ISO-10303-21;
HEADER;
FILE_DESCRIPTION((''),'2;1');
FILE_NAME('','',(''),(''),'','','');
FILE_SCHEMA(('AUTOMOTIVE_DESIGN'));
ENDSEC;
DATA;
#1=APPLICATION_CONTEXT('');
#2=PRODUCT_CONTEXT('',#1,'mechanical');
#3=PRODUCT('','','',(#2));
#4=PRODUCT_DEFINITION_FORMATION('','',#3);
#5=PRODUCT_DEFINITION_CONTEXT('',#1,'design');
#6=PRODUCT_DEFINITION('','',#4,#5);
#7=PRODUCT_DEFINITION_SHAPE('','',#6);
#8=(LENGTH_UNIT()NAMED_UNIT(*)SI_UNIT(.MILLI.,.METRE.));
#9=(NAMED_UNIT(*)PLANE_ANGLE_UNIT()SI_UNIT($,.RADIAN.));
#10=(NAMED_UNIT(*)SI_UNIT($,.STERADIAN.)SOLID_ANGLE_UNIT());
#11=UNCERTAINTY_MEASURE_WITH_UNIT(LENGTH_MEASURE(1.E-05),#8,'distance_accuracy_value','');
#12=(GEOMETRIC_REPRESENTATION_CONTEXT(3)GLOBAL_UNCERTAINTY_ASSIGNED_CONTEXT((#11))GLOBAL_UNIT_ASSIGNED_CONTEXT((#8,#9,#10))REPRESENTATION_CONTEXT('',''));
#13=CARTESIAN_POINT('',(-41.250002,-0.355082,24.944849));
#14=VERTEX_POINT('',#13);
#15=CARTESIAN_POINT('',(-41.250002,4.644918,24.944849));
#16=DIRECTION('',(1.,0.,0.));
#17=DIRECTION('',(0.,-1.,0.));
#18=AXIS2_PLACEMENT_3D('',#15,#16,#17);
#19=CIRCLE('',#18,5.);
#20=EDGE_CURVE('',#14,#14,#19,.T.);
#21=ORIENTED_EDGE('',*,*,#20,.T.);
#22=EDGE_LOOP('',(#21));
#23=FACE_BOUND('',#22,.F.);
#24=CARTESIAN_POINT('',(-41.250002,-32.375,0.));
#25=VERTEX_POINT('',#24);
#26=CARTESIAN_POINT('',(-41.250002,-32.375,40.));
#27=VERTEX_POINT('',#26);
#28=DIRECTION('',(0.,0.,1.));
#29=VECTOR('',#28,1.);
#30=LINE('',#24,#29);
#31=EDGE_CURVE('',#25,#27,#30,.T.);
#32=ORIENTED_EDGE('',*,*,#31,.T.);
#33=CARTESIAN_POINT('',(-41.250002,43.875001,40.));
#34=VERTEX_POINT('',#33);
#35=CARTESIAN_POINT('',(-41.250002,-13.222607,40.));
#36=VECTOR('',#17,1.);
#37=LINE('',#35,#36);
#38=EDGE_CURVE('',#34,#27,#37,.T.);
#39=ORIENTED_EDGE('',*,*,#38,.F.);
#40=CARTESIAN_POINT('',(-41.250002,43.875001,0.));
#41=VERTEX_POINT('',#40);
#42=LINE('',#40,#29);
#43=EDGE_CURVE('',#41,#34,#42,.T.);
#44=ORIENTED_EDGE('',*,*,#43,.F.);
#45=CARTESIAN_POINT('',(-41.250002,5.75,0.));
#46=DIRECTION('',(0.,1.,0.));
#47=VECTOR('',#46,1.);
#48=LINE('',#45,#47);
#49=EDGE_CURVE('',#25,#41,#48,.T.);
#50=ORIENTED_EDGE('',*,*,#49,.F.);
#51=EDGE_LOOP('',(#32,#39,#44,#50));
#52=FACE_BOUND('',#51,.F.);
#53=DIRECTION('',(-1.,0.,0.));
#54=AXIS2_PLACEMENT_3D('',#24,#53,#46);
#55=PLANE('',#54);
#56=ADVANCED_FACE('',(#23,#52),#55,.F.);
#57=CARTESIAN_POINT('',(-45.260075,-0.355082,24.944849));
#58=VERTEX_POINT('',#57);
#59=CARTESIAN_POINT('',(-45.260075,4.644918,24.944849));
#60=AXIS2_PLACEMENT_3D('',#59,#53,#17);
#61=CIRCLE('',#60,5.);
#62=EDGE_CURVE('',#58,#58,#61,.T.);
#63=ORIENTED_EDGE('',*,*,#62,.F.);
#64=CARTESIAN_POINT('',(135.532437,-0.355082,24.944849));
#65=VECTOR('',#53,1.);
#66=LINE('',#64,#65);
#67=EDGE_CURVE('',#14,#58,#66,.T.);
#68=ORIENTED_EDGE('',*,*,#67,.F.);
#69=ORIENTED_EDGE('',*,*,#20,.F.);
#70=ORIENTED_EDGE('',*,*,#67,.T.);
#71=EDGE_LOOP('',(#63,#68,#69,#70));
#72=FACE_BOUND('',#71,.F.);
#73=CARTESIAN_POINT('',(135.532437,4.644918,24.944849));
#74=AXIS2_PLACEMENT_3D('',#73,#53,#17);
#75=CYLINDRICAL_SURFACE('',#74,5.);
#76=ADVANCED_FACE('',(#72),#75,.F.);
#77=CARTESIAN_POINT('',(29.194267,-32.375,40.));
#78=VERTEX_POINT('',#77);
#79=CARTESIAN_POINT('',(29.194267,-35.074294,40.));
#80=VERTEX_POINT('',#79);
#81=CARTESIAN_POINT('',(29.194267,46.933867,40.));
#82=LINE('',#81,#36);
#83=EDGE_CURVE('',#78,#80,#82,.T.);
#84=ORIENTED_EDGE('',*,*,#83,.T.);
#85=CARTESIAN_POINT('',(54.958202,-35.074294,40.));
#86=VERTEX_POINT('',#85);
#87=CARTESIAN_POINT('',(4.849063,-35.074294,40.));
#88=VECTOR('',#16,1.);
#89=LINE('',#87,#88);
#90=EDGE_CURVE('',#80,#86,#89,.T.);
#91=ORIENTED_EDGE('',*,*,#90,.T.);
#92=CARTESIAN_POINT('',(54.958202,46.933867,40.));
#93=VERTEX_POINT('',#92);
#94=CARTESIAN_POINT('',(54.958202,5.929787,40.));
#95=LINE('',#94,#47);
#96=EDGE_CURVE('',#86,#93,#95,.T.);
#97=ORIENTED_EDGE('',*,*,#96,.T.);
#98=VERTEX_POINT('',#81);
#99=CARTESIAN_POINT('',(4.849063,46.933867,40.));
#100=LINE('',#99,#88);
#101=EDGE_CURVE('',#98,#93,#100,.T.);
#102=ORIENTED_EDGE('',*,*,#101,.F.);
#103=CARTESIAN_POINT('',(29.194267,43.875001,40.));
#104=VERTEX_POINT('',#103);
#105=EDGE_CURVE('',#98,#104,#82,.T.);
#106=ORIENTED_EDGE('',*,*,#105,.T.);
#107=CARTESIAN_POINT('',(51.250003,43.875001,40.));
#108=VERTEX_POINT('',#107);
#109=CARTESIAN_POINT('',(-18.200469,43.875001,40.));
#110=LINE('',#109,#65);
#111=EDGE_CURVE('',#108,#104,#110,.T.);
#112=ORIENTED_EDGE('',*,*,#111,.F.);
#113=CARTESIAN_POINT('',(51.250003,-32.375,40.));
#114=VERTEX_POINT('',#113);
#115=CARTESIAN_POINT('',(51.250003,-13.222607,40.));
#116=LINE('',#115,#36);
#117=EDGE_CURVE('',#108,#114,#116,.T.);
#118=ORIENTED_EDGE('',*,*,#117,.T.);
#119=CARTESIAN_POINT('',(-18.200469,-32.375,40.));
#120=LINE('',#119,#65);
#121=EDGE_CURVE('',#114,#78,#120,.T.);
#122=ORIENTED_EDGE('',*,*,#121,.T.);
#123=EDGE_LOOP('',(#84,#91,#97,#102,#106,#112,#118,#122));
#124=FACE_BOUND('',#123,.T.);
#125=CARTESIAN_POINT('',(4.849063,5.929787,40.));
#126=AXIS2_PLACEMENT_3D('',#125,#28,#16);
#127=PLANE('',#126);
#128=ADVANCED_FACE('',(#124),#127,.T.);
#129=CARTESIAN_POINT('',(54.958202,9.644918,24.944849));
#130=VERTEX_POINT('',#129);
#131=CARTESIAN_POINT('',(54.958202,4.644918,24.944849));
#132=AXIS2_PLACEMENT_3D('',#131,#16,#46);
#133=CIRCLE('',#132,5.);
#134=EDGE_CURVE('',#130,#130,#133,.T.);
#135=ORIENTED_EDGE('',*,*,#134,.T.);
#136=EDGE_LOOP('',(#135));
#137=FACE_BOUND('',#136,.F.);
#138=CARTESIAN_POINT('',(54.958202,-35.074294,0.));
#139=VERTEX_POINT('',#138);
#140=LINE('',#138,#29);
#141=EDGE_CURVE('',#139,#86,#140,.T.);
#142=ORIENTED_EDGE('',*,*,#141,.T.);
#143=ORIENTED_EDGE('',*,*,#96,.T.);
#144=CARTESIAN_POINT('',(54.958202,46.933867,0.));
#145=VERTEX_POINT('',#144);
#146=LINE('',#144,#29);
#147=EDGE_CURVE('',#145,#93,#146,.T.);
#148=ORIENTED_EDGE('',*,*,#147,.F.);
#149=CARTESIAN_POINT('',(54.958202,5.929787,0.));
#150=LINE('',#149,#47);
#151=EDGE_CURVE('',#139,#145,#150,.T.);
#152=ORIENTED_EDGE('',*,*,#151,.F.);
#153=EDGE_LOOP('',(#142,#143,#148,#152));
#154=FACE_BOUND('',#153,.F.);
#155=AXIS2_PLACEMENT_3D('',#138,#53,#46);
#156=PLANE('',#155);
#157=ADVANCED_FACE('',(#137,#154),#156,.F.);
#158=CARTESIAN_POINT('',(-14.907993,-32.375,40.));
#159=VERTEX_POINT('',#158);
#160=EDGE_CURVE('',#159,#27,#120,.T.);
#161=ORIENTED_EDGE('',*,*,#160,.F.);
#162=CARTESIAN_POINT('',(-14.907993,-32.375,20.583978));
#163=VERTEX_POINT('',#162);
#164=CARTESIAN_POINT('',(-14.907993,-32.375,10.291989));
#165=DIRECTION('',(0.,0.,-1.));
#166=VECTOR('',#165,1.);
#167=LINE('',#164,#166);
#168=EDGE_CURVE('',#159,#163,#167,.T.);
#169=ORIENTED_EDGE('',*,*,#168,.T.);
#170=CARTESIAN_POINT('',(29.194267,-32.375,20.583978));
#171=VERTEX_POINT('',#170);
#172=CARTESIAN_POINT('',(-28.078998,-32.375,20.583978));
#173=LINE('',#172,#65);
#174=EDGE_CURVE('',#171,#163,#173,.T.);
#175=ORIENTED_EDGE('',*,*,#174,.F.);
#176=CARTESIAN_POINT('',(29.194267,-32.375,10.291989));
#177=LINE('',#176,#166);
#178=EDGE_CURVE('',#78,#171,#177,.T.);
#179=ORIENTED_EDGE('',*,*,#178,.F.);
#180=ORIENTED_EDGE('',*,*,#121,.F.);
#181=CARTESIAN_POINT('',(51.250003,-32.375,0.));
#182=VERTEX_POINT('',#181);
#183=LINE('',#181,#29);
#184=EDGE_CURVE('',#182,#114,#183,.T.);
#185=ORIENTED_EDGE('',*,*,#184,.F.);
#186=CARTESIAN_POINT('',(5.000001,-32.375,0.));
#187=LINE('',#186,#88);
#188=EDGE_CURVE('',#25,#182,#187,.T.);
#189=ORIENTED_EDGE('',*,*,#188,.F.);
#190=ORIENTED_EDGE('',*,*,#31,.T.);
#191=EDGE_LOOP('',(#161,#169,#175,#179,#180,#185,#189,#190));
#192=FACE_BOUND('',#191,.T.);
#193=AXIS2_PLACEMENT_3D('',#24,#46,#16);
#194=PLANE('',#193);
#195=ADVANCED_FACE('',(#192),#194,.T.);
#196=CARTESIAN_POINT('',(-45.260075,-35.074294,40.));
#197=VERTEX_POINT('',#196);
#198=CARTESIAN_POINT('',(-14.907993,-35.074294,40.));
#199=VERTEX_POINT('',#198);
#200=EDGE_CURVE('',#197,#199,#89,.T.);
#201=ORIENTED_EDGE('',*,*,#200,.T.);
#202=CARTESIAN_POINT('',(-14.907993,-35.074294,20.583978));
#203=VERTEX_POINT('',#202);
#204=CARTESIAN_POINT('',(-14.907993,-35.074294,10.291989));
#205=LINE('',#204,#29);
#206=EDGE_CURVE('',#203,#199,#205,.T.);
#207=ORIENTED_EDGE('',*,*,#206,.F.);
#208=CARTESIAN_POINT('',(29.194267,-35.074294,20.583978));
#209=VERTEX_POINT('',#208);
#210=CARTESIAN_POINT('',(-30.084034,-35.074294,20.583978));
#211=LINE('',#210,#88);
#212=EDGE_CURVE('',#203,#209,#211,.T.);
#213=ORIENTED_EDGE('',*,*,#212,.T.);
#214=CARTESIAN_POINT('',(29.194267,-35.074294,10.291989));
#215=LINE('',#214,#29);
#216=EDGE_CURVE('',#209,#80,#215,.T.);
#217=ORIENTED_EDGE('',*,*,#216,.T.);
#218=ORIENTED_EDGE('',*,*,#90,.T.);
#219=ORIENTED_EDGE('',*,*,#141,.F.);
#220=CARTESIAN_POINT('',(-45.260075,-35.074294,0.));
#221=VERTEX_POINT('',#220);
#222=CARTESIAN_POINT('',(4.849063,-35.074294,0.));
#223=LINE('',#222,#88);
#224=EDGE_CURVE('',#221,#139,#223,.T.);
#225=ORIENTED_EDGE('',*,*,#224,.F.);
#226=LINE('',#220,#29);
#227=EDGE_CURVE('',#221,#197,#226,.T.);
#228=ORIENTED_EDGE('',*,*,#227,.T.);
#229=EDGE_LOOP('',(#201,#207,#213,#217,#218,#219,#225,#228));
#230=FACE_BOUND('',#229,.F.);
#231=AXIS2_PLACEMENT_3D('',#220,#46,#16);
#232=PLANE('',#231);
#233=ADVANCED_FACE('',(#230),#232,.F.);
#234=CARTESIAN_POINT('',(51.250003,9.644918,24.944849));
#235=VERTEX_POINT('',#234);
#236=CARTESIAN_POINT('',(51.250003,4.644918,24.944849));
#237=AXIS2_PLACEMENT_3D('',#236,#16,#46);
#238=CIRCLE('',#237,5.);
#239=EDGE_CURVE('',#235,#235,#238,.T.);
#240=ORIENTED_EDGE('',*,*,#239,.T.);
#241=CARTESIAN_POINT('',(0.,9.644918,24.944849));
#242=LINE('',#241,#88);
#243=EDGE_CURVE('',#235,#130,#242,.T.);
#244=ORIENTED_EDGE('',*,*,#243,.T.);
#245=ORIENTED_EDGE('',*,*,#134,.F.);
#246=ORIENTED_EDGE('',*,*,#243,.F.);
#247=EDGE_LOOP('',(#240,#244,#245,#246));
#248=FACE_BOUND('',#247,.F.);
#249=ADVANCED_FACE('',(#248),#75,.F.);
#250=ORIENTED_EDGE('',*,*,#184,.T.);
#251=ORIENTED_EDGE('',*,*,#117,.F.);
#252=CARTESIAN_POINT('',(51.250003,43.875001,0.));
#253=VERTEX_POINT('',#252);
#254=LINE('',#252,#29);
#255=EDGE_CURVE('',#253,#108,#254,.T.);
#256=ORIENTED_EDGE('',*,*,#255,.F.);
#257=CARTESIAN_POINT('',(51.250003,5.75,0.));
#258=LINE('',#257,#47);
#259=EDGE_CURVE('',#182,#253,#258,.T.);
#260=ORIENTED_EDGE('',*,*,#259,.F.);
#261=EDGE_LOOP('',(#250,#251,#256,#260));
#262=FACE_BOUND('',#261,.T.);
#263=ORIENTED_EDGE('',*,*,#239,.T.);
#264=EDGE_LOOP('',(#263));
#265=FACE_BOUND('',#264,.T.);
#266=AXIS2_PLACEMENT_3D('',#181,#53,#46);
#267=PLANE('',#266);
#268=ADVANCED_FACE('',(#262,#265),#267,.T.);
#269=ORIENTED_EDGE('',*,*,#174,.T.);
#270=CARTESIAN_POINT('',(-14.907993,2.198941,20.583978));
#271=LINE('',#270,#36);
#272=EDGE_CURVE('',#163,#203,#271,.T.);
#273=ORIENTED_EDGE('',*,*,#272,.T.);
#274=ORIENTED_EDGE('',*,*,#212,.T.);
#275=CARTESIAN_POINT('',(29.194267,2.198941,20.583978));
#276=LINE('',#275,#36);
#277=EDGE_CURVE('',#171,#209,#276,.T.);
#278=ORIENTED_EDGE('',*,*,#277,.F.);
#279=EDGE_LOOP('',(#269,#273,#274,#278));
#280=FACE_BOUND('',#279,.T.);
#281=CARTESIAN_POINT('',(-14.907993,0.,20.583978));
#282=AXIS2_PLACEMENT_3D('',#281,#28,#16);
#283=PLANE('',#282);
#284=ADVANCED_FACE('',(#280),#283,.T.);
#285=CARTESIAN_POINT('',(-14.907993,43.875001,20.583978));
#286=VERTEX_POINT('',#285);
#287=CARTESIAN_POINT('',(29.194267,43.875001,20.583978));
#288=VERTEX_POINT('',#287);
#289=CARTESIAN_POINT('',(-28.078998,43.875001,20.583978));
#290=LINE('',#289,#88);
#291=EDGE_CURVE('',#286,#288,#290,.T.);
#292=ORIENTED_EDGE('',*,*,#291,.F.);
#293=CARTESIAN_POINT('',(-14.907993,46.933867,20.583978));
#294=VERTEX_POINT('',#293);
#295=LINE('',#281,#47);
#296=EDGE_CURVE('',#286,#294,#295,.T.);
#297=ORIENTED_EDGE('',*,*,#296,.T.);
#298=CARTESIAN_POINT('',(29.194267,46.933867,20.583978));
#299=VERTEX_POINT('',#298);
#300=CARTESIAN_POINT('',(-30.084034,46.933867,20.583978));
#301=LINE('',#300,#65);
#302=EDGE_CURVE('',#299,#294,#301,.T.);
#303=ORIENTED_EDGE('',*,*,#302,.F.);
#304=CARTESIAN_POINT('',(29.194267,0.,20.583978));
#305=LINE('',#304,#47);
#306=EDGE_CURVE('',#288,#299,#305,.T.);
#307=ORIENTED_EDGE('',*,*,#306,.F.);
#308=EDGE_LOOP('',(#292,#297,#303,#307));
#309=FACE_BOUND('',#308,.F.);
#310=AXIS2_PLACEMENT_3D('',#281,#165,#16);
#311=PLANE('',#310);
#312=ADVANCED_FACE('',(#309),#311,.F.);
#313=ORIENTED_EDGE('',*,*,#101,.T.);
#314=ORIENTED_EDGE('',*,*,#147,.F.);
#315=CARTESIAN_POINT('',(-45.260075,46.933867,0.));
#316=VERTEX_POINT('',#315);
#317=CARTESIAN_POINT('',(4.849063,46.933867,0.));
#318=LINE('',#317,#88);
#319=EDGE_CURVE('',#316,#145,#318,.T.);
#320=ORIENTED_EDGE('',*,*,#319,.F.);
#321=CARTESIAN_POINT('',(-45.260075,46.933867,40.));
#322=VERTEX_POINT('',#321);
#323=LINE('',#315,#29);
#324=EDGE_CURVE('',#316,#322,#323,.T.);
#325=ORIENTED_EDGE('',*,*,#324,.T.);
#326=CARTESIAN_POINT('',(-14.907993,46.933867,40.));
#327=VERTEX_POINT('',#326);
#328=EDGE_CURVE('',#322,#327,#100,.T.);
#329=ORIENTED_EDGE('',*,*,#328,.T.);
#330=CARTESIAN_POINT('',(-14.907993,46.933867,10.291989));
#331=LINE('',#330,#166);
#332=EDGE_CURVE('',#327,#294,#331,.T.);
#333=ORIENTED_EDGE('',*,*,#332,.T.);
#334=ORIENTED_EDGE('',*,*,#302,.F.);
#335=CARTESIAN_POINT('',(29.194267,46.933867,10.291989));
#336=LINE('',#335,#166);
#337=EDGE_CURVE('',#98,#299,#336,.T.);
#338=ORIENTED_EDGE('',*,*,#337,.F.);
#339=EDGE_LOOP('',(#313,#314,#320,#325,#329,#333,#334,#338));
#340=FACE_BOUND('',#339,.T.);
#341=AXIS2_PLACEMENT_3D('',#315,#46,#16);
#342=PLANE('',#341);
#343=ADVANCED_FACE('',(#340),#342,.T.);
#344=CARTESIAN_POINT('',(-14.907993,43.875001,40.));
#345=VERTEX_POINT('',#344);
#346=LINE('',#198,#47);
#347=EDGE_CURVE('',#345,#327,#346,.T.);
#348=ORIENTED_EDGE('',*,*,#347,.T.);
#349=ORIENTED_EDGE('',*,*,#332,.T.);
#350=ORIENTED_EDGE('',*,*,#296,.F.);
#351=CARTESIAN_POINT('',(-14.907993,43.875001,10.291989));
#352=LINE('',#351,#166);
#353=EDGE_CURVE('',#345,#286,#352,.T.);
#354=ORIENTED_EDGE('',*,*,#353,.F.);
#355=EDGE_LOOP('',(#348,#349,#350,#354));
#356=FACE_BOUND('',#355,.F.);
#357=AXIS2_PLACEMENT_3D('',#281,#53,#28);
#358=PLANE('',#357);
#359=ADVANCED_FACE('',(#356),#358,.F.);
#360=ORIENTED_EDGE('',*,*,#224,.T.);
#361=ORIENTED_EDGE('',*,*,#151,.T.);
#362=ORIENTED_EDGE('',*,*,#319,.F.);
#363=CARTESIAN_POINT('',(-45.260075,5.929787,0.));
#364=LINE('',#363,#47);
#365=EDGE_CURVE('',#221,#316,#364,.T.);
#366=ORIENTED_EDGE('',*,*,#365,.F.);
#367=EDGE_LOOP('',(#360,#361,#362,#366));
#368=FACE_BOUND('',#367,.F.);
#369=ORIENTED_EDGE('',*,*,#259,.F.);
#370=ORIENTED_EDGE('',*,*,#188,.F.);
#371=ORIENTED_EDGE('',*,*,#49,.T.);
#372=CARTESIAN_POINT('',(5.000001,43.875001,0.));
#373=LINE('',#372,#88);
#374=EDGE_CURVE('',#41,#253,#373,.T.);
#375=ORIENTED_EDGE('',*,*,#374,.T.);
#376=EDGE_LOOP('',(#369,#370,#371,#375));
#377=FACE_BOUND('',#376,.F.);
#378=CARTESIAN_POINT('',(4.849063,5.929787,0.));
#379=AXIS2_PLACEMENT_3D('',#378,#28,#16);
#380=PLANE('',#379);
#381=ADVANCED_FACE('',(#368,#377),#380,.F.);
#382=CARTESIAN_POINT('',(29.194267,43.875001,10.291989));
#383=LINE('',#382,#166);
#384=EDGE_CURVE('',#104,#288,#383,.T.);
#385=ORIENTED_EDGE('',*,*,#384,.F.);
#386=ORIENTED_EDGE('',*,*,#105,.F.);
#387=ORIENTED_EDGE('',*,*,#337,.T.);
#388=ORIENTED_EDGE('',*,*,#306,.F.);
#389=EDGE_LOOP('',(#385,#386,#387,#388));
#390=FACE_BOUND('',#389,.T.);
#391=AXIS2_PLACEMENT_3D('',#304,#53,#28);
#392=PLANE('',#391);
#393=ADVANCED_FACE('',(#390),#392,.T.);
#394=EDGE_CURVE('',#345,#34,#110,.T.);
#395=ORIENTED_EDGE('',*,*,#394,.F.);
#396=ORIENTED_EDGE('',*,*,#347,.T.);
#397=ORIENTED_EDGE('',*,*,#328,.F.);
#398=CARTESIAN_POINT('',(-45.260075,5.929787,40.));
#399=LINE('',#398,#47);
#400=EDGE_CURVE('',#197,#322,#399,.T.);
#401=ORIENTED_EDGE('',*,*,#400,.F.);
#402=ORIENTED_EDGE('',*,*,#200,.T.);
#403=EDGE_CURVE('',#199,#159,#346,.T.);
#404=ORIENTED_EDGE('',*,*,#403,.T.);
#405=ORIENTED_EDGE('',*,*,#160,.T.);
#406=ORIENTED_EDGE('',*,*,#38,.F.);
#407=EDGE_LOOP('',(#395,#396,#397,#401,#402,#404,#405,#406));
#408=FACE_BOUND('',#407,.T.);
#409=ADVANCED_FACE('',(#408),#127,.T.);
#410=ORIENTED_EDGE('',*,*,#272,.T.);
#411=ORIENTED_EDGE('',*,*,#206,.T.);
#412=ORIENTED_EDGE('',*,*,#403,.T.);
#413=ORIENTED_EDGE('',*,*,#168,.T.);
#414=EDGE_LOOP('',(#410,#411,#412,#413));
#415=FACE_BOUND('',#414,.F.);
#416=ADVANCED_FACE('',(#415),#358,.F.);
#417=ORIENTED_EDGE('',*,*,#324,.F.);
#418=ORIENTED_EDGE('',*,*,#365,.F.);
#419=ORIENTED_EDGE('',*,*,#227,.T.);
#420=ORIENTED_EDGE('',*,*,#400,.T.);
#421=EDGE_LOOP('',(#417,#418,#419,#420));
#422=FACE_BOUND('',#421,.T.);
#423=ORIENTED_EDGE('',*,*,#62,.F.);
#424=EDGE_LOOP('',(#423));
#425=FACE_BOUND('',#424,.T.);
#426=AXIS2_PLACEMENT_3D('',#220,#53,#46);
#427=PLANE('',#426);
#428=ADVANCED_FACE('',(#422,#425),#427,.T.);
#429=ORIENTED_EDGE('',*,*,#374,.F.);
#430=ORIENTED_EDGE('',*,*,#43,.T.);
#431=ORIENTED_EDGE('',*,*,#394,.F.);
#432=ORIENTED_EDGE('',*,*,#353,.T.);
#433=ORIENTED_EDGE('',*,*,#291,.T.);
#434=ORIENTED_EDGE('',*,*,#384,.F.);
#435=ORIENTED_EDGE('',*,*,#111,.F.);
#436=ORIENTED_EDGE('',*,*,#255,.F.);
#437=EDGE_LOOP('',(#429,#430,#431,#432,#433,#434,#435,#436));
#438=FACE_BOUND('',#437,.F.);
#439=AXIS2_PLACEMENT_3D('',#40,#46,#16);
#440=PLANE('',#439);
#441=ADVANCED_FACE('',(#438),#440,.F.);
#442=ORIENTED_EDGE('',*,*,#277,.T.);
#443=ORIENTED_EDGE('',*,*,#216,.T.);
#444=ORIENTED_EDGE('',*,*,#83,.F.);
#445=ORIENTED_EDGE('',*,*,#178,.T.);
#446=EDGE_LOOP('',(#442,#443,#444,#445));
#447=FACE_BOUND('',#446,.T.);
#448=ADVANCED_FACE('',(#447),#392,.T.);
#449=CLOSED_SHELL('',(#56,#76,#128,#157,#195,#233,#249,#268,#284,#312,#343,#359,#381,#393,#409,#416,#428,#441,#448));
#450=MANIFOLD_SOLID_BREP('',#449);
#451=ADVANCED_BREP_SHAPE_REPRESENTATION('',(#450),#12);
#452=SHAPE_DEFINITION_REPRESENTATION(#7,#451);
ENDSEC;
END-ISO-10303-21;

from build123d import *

# Parameters (mm, degrees)
F0_W          = 100.2182774246
F0_H          = 82.0081606507
F3_DEPTH      = 40
F4_D          = 10
F4_DEPTH      = 54.9592019448
F5_D          = 10
F1_W          = 44.1022608429
F1_H          = 32.8041445464
F6_DEPTH      = 60.3
F6_DEPTH_BACK = 51.5
F7_W          = 92.5000049174
F7_H          = 76.2500017881
F8_DEPTH      = 52.4
F8_DEPTH_BACK = 25


with BuildPart() as f3:
    # F0 (on Top) → F3 (new body)
    with BuildSketch(Plane.XY):
        with Locations((4.8490632325, 5.9297867119)):
            Rectangle(F0_W, F0_H)
    extrude(amount=F3_DEPTH)

    # F4 (through all, one way)
    with BuildSketch(Plane(origin=(0, 0, 0), x_dir=(0, 1, 0), z_dir=(-1, 0, 0))):
        with Locations((4.6449177898, -24.9448493123)):
            Circle(F4_D / 2)
    extrude(amount=-F4_DEPTH, mode=Mode.SUBTRACT)

    # F5 (through all)
    with Locations(Plane.YZ):
        with Locations((4.6449177898, 24.9448493123)):
            Hole(F5_D / 2)

    # F1 (on Front) → F6 (cut, two sides)
    with BuildSketch(Plane.XZ) as f6_sk:
        with Locations((7.1431370452, 36.986050196)):
            Rectangle(F1_W, F1_H)
    extrude(amount=-F6_DEPTH, mode=Mode.SUBTRACT)
    extrude(f6_sk.sketch, amount=F6_DEPTH_BACK, mode=Mode.SUBTRACT)

    # F7 (on Top) → F8 (cut, two sides)
    with BuildSketch(Plane.XY) as f8_sk:
        with Locations((5.0000008196, 5.7500004768)):
            Rectangle(F7_W, F7_H)
    extrude(amount=F8_DEPTH, mode=Mode.SUBTRACT)
    extrude(f8_sk.sketch, amount=-F8_DEPTH_BACK, mode=Mode.SUBTRACT)


solid = f3.part
